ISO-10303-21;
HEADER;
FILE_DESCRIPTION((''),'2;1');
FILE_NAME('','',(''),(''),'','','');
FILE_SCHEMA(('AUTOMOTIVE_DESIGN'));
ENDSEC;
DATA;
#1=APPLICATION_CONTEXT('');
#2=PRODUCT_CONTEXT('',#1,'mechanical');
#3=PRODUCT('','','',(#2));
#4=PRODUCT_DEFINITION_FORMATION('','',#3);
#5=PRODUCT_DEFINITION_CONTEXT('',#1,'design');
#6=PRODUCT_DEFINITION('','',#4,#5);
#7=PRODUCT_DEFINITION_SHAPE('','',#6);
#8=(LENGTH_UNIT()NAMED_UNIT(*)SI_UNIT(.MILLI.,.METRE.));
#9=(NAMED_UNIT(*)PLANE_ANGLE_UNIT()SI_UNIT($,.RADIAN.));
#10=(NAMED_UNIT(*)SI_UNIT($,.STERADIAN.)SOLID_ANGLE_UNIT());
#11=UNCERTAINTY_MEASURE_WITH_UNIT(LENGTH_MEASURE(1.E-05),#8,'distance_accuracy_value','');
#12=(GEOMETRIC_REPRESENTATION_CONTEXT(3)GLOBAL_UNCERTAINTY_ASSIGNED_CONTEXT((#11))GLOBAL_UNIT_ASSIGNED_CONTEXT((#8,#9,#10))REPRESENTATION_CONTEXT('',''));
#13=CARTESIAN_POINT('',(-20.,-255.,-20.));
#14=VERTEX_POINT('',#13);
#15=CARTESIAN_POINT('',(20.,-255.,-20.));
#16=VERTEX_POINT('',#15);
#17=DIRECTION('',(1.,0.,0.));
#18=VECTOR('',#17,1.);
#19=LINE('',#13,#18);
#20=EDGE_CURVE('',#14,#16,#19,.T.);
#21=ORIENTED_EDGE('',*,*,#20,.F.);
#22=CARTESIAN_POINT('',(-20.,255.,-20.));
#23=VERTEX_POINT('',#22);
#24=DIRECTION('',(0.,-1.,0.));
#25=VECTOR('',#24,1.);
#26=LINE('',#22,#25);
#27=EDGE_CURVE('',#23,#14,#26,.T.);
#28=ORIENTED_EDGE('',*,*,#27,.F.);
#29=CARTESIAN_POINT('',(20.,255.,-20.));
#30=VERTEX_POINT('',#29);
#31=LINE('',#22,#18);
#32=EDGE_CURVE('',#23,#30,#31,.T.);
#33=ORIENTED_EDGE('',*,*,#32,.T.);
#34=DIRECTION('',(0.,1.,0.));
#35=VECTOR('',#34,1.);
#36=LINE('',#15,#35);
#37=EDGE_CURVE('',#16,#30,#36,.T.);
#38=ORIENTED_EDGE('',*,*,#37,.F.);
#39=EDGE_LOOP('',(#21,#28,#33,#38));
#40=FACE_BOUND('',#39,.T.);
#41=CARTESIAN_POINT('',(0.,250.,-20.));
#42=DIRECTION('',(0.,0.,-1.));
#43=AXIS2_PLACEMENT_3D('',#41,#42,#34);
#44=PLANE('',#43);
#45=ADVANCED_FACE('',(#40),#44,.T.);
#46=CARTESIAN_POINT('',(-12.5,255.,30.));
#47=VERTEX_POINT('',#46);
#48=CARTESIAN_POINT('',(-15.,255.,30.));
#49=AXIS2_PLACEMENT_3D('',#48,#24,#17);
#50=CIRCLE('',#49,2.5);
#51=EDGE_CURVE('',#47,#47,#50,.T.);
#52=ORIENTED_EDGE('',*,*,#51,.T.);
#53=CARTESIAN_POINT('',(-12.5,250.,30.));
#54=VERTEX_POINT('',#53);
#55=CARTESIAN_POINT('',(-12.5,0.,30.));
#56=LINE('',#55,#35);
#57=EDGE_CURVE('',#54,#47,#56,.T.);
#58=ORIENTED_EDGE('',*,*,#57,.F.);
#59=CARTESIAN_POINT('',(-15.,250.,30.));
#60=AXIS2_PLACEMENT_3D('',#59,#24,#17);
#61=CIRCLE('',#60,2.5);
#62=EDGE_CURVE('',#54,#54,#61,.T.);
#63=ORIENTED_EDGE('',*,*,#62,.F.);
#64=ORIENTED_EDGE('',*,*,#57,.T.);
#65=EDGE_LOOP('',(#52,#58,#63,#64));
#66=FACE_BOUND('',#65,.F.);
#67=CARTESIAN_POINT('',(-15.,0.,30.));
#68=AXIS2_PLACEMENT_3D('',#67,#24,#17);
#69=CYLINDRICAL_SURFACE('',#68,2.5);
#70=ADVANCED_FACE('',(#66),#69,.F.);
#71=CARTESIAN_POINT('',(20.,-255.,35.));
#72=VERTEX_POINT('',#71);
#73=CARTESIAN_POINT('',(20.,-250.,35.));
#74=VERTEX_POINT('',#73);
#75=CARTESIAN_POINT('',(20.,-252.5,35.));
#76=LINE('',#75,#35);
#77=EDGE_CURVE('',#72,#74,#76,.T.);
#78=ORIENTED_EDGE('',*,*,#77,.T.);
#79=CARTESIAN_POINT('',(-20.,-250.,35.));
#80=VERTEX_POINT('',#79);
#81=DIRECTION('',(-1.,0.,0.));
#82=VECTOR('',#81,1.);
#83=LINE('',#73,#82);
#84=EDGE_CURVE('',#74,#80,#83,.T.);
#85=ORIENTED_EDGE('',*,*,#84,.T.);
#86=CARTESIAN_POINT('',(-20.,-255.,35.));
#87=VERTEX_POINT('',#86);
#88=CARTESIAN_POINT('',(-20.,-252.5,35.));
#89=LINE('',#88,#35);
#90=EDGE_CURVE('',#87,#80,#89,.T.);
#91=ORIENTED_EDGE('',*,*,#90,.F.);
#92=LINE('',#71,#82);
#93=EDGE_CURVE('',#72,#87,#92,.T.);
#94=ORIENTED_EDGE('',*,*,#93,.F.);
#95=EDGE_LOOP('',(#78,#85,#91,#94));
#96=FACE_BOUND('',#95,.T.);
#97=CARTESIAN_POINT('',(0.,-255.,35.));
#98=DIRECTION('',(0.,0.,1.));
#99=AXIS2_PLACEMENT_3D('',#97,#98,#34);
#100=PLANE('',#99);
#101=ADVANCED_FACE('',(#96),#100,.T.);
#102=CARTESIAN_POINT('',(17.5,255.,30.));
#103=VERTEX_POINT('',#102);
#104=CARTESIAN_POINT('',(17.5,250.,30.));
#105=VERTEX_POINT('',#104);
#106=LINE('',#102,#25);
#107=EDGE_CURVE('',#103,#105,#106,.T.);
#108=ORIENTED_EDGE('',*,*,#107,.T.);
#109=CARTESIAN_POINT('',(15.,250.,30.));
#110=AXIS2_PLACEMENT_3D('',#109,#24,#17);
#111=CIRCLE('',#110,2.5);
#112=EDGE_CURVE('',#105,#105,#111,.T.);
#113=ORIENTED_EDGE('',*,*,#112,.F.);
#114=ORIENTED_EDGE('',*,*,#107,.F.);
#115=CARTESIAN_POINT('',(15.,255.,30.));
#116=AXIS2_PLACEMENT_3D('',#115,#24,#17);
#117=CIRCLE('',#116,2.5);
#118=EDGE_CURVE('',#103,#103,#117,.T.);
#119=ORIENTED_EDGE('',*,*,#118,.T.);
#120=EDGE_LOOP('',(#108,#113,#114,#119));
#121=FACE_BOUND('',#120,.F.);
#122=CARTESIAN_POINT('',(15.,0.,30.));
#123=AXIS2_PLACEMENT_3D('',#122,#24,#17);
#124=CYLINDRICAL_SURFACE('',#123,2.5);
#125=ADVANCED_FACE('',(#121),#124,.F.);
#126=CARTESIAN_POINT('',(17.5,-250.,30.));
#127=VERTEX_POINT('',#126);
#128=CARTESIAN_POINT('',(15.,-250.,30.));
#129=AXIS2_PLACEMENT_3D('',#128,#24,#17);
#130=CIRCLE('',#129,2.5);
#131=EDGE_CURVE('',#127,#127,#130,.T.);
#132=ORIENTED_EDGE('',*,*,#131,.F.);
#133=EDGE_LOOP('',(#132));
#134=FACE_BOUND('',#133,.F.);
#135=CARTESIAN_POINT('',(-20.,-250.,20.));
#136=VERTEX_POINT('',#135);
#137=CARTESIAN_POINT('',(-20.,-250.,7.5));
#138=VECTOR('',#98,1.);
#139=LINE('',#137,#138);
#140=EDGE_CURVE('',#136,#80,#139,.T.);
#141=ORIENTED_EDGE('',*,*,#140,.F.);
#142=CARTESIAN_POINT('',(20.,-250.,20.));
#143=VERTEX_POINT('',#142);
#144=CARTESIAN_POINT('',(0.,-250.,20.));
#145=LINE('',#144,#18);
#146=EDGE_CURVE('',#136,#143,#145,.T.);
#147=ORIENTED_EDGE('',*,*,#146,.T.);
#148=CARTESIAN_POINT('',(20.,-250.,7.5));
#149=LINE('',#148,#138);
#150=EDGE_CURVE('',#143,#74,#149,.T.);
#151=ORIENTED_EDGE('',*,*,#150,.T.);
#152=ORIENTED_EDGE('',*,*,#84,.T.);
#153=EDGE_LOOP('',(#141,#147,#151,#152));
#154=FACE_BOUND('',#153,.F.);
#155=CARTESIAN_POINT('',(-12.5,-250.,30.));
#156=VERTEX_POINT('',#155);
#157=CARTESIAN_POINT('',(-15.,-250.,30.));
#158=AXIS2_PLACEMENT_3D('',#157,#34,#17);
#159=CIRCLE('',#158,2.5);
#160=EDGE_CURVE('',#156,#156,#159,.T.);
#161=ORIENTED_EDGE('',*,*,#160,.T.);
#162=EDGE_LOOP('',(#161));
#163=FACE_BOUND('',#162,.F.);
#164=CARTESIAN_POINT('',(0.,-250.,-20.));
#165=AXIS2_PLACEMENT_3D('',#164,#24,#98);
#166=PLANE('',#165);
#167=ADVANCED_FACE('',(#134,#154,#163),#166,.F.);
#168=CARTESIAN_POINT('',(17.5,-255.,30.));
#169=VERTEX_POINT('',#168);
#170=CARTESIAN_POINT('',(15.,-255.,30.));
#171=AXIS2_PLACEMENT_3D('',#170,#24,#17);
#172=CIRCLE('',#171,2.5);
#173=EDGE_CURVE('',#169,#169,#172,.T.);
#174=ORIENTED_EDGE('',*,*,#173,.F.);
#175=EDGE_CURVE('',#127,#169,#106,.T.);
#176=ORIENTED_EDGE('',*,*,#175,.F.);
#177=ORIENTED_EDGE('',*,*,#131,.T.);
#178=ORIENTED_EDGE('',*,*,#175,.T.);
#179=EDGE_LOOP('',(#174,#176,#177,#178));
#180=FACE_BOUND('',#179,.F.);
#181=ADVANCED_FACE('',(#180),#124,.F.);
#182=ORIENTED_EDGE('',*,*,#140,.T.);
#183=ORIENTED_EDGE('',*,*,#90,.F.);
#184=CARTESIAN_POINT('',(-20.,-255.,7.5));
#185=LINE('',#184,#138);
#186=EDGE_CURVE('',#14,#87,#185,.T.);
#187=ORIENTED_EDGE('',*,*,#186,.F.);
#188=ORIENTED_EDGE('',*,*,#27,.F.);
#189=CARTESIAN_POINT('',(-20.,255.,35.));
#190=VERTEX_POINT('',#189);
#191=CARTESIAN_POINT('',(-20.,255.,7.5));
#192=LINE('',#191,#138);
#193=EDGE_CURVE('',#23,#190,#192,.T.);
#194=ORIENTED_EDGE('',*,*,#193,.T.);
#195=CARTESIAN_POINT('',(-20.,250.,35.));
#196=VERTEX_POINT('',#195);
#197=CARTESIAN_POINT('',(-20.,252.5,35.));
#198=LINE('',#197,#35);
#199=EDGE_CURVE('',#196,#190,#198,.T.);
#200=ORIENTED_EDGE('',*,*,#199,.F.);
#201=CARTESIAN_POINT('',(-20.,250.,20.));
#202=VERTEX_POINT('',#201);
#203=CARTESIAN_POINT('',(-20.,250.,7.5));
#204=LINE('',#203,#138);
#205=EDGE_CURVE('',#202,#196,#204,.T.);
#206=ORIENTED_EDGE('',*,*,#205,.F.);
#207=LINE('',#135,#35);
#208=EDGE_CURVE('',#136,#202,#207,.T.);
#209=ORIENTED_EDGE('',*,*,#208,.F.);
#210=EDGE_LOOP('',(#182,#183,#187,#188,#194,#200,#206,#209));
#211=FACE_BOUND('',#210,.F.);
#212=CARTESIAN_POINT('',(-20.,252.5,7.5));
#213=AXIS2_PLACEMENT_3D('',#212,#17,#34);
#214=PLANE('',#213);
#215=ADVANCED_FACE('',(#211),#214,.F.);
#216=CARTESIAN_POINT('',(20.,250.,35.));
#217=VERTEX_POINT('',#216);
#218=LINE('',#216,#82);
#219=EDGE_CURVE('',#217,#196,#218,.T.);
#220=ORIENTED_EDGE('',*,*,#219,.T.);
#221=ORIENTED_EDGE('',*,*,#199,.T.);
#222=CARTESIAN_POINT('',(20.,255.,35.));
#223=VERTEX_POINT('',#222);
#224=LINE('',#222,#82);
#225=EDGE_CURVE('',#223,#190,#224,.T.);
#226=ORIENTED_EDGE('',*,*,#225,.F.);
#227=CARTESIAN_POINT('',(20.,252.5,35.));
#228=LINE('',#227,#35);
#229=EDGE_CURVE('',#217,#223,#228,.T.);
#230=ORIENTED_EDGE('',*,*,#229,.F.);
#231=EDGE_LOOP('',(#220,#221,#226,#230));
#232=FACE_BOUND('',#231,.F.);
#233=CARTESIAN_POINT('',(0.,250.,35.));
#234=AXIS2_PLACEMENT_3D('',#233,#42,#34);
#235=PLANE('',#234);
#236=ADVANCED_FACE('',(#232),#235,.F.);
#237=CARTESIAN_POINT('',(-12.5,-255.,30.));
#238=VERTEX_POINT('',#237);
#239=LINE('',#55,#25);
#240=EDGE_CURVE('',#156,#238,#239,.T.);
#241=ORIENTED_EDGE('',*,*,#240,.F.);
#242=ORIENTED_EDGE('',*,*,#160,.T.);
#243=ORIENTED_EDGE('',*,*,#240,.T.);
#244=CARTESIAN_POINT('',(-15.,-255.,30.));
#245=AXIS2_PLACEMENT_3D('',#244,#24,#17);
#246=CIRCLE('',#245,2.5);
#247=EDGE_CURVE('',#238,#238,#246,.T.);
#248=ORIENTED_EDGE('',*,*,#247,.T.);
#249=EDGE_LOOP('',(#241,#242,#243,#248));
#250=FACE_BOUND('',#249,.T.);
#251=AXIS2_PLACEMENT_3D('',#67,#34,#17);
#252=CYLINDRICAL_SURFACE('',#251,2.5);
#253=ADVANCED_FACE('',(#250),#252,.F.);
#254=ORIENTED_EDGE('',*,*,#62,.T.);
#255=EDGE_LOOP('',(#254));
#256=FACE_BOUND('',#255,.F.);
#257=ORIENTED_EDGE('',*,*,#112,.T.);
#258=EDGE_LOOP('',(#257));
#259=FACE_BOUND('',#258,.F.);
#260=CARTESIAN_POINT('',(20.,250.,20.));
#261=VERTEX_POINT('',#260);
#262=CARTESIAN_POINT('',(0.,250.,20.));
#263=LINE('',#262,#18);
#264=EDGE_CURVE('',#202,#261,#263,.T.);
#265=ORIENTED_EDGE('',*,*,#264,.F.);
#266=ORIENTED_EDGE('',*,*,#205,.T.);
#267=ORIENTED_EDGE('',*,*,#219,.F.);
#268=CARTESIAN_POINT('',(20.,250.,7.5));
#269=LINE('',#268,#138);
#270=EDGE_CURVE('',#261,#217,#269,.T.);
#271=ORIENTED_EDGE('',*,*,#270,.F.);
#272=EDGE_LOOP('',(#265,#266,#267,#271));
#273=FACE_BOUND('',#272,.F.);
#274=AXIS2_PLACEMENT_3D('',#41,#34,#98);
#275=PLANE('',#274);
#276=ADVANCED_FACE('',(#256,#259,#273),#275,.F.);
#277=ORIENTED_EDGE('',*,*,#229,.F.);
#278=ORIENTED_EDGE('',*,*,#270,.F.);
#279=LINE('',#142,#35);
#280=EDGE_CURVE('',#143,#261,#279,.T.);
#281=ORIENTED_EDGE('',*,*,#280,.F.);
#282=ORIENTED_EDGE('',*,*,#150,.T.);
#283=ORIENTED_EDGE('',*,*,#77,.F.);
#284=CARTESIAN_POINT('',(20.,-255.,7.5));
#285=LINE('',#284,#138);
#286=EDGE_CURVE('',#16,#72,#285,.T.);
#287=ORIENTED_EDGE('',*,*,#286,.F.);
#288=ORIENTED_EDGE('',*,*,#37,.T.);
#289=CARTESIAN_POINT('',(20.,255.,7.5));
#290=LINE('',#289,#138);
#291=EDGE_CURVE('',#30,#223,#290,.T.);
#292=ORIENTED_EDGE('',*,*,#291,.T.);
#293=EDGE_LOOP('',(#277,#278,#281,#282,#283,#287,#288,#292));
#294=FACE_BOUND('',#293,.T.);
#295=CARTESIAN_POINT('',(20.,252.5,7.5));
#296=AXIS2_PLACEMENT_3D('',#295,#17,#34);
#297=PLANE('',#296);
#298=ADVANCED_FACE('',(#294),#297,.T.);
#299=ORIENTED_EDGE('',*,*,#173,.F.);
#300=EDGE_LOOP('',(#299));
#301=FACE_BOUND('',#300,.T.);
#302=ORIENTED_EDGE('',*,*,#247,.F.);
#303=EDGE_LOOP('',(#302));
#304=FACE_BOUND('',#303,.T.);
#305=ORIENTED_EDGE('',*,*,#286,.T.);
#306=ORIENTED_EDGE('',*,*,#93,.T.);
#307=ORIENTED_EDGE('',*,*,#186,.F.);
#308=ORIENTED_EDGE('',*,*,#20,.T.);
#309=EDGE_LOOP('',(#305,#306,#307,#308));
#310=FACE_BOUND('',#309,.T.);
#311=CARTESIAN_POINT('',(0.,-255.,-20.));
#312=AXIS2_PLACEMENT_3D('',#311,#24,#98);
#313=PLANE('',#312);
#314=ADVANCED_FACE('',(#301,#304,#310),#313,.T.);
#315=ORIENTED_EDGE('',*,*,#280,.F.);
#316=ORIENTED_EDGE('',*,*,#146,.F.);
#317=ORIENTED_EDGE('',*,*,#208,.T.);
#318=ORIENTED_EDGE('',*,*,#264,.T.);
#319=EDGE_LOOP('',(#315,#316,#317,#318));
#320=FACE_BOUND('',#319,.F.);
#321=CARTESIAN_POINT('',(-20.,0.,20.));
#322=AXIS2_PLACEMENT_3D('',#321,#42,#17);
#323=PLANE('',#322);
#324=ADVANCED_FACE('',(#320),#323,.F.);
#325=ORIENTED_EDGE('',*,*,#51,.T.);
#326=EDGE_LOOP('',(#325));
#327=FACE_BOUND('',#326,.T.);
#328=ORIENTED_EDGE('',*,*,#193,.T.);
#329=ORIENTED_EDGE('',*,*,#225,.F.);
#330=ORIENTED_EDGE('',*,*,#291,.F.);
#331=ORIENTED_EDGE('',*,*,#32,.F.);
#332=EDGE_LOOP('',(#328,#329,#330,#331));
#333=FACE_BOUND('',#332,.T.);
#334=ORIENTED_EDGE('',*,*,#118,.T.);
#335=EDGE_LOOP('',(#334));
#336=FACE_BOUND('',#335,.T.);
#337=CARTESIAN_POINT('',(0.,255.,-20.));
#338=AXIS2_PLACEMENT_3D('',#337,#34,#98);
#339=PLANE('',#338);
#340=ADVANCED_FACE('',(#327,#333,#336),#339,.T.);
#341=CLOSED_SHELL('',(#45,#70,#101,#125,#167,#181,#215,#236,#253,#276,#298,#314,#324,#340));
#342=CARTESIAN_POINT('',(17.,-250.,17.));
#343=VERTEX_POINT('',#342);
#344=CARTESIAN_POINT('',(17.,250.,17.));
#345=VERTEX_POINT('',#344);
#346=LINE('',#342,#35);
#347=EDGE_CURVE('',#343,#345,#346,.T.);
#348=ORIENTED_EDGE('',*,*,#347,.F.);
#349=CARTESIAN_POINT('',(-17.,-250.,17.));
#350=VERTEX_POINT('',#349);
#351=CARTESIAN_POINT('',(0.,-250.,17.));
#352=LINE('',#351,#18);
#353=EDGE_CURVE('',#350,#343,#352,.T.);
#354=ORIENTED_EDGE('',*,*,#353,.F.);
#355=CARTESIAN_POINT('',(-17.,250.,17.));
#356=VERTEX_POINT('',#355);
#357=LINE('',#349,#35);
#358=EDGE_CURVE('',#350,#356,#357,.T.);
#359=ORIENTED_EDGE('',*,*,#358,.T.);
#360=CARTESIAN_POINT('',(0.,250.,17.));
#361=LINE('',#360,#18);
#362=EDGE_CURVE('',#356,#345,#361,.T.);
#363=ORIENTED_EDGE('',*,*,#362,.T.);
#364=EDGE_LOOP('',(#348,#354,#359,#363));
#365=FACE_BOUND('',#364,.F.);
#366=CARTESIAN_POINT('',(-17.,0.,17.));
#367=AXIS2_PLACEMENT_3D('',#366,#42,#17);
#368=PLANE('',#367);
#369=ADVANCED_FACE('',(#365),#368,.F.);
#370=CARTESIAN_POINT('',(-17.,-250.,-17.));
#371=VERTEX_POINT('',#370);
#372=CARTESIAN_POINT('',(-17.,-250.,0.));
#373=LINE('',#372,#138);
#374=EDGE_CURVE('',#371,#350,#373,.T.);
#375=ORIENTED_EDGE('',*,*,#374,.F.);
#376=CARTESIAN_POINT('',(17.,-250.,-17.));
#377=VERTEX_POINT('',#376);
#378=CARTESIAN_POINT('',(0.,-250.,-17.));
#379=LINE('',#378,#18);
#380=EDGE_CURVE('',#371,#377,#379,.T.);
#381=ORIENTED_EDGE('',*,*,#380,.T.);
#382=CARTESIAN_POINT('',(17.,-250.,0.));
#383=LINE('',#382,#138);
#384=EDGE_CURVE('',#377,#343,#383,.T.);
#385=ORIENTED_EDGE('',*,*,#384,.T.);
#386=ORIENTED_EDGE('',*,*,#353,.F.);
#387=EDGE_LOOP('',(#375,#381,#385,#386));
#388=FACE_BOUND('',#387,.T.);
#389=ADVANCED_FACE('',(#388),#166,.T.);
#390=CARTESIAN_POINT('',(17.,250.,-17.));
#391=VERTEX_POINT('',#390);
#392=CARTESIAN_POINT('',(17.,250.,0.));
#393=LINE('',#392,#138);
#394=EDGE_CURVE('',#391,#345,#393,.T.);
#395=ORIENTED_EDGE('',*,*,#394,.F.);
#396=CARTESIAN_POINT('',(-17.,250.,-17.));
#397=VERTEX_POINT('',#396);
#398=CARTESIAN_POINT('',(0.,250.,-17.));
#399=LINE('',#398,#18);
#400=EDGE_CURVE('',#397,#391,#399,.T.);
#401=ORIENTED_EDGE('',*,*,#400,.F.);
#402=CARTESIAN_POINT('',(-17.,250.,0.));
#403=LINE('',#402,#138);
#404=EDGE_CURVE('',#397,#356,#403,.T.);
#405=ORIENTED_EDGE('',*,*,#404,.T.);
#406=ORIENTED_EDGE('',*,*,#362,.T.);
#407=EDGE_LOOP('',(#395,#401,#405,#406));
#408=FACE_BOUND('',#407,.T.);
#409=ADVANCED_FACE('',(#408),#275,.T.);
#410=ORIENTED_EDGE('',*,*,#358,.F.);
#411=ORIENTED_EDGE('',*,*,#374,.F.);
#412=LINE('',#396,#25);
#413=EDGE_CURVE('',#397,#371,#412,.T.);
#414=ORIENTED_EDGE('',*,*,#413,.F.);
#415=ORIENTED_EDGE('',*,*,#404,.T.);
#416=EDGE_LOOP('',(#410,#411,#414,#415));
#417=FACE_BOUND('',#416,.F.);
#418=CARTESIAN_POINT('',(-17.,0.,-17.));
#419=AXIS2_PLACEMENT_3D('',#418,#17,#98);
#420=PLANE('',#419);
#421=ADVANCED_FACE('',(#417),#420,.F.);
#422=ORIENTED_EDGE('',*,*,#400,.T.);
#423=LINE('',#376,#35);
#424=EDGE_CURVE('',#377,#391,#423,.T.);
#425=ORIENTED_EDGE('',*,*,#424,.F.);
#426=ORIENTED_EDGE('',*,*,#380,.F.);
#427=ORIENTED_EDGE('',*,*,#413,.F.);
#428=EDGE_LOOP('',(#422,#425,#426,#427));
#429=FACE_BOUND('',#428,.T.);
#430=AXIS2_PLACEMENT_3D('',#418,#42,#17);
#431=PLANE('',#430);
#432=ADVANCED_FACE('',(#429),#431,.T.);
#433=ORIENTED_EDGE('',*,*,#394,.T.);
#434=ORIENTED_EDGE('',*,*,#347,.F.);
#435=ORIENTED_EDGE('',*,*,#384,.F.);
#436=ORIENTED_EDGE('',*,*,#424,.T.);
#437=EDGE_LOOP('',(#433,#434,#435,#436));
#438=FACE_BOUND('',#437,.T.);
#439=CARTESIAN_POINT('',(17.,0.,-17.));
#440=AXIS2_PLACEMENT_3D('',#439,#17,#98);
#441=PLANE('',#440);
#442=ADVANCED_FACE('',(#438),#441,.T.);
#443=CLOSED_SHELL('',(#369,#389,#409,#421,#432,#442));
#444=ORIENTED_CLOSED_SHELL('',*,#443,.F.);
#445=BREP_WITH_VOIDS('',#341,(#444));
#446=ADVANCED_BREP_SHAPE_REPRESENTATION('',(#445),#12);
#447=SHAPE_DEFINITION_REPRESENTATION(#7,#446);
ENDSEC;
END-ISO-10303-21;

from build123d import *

# Parameters (mm, degrees)
F0_W     = 40
F0_H     = 40
F0_W_2   = 34
F0_H_2   = 34
F1_DEPTH = 250
F2_W     = 5
F2_H     = 55
F3_DEPTH = 20
F4_R     = 2.5
F5_DEPTH = 255


with BuildPart() as f1:
    # F0 (on Front) → F1 (new body, symmetric)
    with BuildSketch(Plane.XZ):
        Rectangle(F0_W, F0_H)
        Rectangle(F0_W_2, F0_H_2, mode=Mode.SUBTRACT)
    extrude(amount=F1_DEPTH, both=True)

    # F2 (on Right) → F3 (join, symmetric)
    with BuildSketch(Plane.YZ):
        with Locations((-252.5, 7.5)):
            Rectangle(F2_W, F2_H)
        with Locations((252.5, 7.5)):
            Rectangle(F2_W, F2_H)
    extrude(amount=F3_DEPTH, both=True)

    # F4 (on Front) → F5 (cut, symmetric)
    with BuildSketch(Plane.XZ):
        with Locations((-15, 30)):
            Circle(F4_R)
        with Locations((15, 30)):
            Circle(F4_R)
    extrude(amount=F5_DEPTH, both=True, mode=Mode.SUBTRACT)


solid = f1.part
